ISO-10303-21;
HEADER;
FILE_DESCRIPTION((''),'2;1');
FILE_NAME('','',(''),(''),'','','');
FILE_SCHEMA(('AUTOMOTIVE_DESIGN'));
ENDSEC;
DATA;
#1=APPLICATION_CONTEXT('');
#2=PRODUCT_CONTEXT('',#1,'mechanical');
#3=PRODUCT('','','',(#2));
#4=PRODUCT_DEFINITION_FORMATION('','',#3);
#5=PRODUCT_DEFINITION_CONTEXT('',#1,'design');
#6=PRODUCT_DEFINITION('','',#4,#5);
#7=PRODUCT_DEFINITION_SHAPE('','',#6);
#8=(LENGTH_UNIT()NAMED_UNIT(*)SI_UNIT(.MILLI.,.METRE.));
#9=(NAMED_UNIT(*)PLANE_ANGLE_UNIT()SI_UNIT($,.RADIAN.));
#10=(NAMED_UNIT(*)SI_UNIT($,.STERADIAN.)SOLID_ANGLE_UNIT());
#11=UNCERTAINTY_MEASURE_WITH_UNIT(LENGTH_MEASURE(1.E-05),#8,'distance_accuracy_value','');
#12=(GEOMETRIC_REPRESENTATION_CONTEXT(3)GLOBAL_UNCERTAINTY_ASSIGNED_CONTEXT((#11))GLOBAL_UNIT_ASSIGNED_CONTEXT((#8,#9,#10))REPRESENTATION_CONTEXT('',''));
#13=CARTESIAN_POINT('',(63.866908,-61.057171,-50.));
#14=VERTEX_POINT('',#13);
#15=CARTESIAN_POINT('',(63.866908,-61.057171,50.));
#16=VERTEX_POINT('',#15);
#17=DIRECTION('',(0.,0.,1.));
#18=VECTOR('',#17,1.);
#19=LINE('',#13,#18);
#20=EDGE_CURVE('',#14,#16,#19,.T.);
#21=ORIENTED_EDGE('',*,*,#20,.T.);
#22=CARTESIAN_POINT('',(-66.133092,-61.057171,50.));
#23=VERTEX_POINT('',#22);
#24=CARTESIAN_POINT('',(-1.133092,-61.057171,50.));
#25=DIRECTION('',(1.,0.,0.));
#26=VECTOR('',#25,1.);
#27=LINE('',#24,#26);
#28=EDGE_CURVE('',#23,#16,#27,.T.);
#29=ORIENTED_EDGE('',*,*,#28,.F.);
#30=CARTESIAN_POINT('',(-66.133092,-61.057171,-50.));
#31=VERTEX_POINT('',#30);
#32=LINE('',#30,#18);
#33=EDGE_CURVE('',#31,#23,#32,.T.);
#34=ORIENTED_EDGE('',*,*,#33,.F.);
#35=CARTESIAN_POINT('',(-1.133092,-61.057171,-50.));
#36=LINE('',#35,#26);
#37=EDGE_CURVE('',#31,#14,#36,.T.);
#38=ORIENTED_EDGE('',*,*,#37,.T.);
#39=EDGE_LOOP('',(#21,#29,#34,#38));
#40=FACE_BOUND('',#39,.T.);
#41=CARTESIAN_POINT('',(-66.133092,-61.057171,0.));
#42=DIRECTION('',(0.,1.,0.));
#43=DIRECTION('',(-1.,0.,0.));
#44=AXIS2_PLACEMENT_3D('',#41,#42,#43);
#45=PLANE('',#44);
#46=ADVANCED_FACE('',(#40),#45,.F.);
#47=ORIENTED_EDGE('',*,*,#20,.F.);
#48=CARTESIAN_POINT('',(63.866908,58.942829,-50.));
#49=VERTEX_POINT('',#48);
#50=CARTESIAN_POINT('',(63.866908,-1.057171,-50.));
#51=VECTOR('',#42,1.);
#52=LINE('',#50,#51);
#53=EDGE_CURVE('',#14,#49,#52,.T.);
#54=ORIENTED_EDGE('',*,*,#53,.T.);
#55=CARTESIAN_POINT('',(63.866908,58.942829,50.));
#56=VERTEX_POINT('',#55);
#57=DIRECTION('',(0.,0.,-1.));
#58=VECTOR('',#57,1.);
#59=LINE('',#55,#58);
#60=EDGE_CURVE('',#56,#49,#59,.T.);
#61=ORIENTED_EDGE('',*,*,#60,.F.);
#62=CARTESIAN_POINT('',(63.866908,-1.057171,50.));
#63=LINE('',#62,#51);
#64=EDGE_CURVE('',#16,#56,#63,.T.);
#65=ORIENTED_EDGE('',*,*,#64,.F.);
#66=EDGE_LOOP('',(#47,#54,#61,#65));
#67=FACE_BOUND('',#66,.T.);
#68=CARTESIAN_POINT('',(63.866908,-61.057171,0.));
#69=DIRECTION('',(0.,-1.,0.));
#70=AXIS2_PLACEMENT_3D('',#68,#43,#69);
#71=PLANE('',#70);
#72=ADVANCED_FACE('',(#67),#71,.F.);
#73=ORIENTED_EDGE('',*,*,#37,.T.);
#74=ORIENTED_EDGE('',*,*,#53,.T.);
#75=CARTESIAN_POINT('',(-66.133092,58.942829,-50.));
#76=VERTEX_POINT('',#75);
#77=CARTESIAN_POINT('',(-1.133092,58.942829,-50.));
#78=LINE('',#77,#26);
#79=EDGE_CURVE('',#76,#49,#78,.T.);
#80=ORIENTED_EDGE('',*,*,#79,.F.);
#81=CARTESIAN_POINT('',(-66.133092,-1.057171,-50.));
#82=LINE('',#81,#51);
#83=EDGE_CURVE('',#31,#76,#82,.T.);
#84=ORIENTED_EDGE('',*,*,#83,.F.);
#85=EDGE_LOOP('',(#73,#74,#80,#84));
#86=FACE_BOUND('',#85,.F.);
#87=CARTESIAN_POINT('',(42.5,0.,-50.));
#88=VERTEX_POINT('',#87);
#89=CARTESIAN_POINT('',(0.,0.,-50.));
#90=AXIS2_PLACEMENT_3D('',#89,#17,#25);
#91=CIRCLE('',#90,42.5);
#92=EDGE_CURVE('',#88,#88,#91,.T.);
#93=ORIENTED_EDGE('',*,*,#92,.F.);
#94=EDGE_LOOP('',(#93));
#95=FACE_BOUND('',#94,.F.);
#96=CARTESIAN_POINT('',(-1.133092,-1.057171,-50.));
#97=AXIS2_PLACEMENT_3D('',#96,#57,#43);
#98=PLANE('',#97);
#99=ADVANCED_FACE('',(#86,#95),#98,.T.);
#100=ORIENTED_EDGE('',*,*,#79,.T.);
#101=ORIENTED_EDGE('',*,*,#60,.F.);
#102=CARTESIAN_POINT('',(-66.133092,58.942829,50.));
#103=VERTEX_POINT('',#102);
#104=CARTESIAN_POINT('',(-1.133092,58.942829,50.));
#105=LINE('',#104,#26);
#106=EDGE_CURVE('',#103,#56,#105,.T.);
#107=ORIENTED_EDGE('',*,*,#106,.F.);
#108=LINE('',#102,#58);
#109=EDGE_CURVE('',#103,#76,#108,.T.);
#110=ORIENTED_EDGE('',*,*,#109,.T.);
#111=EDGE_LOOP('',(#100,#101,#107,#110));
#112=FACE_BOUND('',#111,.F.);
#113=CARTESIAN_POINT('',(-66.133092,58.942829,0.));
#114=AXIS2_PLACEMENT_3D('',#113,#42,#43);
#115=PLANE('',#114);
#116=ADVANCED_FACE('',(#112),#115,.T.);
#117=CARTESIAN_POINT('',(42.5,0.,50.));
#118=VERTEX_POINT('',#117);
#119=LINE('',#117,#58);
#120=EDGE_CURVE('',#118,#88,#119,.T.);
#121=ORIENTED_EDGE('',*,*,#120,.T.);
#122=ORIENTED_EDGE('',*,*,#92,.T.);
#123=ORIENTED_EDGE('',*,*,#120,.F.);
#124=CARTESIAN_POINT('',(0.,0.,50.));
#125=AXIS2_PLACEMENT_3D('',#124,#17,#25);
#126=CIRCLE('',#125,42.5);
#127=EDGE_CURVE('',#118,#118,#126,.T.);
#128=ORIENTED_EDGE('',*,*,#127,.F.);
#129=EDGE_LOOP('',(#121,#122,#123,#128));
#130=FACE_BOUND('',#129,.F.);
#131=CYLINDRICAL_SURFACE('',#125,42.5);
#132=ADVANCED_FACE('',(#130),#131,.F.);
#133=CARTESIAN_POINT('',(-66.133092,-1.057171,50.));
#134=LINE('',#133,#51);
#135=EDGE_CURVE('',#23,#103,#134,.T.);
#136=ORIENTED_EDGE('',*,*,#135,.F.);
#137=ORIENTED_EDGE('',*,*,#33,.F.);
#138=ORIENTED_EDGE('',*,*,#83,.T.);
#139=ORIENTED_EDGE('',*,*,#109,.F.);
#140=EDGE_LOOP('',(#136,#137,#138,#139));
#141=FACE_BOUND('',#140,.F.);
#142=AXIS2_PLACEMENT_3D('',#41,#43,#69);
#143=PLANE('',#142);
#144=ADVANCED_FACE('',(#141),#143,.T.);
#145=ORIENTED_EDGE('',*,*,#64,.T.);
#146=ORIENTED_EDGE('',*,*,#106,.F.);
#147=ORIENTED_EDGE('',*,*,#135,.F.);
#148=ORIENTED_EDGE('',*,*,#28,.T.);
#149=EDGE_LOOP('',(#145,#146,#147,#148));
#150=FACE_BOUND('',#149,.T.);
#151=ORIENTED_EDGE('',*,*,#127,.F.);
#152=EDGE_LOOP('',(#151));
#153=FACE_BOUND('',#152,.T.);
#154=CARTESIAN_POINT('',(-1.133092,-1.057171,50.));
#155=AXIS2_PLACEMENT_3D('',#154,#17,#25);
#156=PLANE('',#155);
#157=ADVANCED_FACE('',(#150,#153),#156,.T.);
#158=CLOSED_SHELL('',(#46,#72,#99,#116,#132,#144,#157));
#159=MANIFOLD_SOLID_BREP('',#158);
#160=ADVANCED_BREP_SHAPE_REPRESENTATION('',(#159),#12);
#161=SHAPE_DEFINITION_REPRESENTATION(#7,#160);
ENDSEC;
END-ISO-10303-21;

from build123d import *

# Parameters (mm, degrees)
F0_W     = 130
F0_H     = 120
F1_DEPTH = 50
F4_R     = 42.5
F5_DEPTH = 100


with BuildPart() as f1:
    # F0 (on Top) → F1 (new body)
    with BuildSketch(Plane.XY):
        with Locations((-1.133092, -1.057171)):
            Rectangle(F0_W, F0_H)
    extrude(amount=F1_DEPTH)

    # F2: F1 across face


with BuildPart() as f1_1:
    add(f1.part)
    add(f1.part.mirror(Plane(origin=(-1.133092, -1.057171, 0), x_dir=(1, 0, 0), z_dir=(0, 0, -1))))

    # F4 (on face) → F5 (cut)
    with BuildSketch(Plane.XY.offset(50)):
        Circle(F4_R)
    extrude(amount=-F5_DEPTH, mode=Mode.SUBTRACT)


solid = f1_1.part
